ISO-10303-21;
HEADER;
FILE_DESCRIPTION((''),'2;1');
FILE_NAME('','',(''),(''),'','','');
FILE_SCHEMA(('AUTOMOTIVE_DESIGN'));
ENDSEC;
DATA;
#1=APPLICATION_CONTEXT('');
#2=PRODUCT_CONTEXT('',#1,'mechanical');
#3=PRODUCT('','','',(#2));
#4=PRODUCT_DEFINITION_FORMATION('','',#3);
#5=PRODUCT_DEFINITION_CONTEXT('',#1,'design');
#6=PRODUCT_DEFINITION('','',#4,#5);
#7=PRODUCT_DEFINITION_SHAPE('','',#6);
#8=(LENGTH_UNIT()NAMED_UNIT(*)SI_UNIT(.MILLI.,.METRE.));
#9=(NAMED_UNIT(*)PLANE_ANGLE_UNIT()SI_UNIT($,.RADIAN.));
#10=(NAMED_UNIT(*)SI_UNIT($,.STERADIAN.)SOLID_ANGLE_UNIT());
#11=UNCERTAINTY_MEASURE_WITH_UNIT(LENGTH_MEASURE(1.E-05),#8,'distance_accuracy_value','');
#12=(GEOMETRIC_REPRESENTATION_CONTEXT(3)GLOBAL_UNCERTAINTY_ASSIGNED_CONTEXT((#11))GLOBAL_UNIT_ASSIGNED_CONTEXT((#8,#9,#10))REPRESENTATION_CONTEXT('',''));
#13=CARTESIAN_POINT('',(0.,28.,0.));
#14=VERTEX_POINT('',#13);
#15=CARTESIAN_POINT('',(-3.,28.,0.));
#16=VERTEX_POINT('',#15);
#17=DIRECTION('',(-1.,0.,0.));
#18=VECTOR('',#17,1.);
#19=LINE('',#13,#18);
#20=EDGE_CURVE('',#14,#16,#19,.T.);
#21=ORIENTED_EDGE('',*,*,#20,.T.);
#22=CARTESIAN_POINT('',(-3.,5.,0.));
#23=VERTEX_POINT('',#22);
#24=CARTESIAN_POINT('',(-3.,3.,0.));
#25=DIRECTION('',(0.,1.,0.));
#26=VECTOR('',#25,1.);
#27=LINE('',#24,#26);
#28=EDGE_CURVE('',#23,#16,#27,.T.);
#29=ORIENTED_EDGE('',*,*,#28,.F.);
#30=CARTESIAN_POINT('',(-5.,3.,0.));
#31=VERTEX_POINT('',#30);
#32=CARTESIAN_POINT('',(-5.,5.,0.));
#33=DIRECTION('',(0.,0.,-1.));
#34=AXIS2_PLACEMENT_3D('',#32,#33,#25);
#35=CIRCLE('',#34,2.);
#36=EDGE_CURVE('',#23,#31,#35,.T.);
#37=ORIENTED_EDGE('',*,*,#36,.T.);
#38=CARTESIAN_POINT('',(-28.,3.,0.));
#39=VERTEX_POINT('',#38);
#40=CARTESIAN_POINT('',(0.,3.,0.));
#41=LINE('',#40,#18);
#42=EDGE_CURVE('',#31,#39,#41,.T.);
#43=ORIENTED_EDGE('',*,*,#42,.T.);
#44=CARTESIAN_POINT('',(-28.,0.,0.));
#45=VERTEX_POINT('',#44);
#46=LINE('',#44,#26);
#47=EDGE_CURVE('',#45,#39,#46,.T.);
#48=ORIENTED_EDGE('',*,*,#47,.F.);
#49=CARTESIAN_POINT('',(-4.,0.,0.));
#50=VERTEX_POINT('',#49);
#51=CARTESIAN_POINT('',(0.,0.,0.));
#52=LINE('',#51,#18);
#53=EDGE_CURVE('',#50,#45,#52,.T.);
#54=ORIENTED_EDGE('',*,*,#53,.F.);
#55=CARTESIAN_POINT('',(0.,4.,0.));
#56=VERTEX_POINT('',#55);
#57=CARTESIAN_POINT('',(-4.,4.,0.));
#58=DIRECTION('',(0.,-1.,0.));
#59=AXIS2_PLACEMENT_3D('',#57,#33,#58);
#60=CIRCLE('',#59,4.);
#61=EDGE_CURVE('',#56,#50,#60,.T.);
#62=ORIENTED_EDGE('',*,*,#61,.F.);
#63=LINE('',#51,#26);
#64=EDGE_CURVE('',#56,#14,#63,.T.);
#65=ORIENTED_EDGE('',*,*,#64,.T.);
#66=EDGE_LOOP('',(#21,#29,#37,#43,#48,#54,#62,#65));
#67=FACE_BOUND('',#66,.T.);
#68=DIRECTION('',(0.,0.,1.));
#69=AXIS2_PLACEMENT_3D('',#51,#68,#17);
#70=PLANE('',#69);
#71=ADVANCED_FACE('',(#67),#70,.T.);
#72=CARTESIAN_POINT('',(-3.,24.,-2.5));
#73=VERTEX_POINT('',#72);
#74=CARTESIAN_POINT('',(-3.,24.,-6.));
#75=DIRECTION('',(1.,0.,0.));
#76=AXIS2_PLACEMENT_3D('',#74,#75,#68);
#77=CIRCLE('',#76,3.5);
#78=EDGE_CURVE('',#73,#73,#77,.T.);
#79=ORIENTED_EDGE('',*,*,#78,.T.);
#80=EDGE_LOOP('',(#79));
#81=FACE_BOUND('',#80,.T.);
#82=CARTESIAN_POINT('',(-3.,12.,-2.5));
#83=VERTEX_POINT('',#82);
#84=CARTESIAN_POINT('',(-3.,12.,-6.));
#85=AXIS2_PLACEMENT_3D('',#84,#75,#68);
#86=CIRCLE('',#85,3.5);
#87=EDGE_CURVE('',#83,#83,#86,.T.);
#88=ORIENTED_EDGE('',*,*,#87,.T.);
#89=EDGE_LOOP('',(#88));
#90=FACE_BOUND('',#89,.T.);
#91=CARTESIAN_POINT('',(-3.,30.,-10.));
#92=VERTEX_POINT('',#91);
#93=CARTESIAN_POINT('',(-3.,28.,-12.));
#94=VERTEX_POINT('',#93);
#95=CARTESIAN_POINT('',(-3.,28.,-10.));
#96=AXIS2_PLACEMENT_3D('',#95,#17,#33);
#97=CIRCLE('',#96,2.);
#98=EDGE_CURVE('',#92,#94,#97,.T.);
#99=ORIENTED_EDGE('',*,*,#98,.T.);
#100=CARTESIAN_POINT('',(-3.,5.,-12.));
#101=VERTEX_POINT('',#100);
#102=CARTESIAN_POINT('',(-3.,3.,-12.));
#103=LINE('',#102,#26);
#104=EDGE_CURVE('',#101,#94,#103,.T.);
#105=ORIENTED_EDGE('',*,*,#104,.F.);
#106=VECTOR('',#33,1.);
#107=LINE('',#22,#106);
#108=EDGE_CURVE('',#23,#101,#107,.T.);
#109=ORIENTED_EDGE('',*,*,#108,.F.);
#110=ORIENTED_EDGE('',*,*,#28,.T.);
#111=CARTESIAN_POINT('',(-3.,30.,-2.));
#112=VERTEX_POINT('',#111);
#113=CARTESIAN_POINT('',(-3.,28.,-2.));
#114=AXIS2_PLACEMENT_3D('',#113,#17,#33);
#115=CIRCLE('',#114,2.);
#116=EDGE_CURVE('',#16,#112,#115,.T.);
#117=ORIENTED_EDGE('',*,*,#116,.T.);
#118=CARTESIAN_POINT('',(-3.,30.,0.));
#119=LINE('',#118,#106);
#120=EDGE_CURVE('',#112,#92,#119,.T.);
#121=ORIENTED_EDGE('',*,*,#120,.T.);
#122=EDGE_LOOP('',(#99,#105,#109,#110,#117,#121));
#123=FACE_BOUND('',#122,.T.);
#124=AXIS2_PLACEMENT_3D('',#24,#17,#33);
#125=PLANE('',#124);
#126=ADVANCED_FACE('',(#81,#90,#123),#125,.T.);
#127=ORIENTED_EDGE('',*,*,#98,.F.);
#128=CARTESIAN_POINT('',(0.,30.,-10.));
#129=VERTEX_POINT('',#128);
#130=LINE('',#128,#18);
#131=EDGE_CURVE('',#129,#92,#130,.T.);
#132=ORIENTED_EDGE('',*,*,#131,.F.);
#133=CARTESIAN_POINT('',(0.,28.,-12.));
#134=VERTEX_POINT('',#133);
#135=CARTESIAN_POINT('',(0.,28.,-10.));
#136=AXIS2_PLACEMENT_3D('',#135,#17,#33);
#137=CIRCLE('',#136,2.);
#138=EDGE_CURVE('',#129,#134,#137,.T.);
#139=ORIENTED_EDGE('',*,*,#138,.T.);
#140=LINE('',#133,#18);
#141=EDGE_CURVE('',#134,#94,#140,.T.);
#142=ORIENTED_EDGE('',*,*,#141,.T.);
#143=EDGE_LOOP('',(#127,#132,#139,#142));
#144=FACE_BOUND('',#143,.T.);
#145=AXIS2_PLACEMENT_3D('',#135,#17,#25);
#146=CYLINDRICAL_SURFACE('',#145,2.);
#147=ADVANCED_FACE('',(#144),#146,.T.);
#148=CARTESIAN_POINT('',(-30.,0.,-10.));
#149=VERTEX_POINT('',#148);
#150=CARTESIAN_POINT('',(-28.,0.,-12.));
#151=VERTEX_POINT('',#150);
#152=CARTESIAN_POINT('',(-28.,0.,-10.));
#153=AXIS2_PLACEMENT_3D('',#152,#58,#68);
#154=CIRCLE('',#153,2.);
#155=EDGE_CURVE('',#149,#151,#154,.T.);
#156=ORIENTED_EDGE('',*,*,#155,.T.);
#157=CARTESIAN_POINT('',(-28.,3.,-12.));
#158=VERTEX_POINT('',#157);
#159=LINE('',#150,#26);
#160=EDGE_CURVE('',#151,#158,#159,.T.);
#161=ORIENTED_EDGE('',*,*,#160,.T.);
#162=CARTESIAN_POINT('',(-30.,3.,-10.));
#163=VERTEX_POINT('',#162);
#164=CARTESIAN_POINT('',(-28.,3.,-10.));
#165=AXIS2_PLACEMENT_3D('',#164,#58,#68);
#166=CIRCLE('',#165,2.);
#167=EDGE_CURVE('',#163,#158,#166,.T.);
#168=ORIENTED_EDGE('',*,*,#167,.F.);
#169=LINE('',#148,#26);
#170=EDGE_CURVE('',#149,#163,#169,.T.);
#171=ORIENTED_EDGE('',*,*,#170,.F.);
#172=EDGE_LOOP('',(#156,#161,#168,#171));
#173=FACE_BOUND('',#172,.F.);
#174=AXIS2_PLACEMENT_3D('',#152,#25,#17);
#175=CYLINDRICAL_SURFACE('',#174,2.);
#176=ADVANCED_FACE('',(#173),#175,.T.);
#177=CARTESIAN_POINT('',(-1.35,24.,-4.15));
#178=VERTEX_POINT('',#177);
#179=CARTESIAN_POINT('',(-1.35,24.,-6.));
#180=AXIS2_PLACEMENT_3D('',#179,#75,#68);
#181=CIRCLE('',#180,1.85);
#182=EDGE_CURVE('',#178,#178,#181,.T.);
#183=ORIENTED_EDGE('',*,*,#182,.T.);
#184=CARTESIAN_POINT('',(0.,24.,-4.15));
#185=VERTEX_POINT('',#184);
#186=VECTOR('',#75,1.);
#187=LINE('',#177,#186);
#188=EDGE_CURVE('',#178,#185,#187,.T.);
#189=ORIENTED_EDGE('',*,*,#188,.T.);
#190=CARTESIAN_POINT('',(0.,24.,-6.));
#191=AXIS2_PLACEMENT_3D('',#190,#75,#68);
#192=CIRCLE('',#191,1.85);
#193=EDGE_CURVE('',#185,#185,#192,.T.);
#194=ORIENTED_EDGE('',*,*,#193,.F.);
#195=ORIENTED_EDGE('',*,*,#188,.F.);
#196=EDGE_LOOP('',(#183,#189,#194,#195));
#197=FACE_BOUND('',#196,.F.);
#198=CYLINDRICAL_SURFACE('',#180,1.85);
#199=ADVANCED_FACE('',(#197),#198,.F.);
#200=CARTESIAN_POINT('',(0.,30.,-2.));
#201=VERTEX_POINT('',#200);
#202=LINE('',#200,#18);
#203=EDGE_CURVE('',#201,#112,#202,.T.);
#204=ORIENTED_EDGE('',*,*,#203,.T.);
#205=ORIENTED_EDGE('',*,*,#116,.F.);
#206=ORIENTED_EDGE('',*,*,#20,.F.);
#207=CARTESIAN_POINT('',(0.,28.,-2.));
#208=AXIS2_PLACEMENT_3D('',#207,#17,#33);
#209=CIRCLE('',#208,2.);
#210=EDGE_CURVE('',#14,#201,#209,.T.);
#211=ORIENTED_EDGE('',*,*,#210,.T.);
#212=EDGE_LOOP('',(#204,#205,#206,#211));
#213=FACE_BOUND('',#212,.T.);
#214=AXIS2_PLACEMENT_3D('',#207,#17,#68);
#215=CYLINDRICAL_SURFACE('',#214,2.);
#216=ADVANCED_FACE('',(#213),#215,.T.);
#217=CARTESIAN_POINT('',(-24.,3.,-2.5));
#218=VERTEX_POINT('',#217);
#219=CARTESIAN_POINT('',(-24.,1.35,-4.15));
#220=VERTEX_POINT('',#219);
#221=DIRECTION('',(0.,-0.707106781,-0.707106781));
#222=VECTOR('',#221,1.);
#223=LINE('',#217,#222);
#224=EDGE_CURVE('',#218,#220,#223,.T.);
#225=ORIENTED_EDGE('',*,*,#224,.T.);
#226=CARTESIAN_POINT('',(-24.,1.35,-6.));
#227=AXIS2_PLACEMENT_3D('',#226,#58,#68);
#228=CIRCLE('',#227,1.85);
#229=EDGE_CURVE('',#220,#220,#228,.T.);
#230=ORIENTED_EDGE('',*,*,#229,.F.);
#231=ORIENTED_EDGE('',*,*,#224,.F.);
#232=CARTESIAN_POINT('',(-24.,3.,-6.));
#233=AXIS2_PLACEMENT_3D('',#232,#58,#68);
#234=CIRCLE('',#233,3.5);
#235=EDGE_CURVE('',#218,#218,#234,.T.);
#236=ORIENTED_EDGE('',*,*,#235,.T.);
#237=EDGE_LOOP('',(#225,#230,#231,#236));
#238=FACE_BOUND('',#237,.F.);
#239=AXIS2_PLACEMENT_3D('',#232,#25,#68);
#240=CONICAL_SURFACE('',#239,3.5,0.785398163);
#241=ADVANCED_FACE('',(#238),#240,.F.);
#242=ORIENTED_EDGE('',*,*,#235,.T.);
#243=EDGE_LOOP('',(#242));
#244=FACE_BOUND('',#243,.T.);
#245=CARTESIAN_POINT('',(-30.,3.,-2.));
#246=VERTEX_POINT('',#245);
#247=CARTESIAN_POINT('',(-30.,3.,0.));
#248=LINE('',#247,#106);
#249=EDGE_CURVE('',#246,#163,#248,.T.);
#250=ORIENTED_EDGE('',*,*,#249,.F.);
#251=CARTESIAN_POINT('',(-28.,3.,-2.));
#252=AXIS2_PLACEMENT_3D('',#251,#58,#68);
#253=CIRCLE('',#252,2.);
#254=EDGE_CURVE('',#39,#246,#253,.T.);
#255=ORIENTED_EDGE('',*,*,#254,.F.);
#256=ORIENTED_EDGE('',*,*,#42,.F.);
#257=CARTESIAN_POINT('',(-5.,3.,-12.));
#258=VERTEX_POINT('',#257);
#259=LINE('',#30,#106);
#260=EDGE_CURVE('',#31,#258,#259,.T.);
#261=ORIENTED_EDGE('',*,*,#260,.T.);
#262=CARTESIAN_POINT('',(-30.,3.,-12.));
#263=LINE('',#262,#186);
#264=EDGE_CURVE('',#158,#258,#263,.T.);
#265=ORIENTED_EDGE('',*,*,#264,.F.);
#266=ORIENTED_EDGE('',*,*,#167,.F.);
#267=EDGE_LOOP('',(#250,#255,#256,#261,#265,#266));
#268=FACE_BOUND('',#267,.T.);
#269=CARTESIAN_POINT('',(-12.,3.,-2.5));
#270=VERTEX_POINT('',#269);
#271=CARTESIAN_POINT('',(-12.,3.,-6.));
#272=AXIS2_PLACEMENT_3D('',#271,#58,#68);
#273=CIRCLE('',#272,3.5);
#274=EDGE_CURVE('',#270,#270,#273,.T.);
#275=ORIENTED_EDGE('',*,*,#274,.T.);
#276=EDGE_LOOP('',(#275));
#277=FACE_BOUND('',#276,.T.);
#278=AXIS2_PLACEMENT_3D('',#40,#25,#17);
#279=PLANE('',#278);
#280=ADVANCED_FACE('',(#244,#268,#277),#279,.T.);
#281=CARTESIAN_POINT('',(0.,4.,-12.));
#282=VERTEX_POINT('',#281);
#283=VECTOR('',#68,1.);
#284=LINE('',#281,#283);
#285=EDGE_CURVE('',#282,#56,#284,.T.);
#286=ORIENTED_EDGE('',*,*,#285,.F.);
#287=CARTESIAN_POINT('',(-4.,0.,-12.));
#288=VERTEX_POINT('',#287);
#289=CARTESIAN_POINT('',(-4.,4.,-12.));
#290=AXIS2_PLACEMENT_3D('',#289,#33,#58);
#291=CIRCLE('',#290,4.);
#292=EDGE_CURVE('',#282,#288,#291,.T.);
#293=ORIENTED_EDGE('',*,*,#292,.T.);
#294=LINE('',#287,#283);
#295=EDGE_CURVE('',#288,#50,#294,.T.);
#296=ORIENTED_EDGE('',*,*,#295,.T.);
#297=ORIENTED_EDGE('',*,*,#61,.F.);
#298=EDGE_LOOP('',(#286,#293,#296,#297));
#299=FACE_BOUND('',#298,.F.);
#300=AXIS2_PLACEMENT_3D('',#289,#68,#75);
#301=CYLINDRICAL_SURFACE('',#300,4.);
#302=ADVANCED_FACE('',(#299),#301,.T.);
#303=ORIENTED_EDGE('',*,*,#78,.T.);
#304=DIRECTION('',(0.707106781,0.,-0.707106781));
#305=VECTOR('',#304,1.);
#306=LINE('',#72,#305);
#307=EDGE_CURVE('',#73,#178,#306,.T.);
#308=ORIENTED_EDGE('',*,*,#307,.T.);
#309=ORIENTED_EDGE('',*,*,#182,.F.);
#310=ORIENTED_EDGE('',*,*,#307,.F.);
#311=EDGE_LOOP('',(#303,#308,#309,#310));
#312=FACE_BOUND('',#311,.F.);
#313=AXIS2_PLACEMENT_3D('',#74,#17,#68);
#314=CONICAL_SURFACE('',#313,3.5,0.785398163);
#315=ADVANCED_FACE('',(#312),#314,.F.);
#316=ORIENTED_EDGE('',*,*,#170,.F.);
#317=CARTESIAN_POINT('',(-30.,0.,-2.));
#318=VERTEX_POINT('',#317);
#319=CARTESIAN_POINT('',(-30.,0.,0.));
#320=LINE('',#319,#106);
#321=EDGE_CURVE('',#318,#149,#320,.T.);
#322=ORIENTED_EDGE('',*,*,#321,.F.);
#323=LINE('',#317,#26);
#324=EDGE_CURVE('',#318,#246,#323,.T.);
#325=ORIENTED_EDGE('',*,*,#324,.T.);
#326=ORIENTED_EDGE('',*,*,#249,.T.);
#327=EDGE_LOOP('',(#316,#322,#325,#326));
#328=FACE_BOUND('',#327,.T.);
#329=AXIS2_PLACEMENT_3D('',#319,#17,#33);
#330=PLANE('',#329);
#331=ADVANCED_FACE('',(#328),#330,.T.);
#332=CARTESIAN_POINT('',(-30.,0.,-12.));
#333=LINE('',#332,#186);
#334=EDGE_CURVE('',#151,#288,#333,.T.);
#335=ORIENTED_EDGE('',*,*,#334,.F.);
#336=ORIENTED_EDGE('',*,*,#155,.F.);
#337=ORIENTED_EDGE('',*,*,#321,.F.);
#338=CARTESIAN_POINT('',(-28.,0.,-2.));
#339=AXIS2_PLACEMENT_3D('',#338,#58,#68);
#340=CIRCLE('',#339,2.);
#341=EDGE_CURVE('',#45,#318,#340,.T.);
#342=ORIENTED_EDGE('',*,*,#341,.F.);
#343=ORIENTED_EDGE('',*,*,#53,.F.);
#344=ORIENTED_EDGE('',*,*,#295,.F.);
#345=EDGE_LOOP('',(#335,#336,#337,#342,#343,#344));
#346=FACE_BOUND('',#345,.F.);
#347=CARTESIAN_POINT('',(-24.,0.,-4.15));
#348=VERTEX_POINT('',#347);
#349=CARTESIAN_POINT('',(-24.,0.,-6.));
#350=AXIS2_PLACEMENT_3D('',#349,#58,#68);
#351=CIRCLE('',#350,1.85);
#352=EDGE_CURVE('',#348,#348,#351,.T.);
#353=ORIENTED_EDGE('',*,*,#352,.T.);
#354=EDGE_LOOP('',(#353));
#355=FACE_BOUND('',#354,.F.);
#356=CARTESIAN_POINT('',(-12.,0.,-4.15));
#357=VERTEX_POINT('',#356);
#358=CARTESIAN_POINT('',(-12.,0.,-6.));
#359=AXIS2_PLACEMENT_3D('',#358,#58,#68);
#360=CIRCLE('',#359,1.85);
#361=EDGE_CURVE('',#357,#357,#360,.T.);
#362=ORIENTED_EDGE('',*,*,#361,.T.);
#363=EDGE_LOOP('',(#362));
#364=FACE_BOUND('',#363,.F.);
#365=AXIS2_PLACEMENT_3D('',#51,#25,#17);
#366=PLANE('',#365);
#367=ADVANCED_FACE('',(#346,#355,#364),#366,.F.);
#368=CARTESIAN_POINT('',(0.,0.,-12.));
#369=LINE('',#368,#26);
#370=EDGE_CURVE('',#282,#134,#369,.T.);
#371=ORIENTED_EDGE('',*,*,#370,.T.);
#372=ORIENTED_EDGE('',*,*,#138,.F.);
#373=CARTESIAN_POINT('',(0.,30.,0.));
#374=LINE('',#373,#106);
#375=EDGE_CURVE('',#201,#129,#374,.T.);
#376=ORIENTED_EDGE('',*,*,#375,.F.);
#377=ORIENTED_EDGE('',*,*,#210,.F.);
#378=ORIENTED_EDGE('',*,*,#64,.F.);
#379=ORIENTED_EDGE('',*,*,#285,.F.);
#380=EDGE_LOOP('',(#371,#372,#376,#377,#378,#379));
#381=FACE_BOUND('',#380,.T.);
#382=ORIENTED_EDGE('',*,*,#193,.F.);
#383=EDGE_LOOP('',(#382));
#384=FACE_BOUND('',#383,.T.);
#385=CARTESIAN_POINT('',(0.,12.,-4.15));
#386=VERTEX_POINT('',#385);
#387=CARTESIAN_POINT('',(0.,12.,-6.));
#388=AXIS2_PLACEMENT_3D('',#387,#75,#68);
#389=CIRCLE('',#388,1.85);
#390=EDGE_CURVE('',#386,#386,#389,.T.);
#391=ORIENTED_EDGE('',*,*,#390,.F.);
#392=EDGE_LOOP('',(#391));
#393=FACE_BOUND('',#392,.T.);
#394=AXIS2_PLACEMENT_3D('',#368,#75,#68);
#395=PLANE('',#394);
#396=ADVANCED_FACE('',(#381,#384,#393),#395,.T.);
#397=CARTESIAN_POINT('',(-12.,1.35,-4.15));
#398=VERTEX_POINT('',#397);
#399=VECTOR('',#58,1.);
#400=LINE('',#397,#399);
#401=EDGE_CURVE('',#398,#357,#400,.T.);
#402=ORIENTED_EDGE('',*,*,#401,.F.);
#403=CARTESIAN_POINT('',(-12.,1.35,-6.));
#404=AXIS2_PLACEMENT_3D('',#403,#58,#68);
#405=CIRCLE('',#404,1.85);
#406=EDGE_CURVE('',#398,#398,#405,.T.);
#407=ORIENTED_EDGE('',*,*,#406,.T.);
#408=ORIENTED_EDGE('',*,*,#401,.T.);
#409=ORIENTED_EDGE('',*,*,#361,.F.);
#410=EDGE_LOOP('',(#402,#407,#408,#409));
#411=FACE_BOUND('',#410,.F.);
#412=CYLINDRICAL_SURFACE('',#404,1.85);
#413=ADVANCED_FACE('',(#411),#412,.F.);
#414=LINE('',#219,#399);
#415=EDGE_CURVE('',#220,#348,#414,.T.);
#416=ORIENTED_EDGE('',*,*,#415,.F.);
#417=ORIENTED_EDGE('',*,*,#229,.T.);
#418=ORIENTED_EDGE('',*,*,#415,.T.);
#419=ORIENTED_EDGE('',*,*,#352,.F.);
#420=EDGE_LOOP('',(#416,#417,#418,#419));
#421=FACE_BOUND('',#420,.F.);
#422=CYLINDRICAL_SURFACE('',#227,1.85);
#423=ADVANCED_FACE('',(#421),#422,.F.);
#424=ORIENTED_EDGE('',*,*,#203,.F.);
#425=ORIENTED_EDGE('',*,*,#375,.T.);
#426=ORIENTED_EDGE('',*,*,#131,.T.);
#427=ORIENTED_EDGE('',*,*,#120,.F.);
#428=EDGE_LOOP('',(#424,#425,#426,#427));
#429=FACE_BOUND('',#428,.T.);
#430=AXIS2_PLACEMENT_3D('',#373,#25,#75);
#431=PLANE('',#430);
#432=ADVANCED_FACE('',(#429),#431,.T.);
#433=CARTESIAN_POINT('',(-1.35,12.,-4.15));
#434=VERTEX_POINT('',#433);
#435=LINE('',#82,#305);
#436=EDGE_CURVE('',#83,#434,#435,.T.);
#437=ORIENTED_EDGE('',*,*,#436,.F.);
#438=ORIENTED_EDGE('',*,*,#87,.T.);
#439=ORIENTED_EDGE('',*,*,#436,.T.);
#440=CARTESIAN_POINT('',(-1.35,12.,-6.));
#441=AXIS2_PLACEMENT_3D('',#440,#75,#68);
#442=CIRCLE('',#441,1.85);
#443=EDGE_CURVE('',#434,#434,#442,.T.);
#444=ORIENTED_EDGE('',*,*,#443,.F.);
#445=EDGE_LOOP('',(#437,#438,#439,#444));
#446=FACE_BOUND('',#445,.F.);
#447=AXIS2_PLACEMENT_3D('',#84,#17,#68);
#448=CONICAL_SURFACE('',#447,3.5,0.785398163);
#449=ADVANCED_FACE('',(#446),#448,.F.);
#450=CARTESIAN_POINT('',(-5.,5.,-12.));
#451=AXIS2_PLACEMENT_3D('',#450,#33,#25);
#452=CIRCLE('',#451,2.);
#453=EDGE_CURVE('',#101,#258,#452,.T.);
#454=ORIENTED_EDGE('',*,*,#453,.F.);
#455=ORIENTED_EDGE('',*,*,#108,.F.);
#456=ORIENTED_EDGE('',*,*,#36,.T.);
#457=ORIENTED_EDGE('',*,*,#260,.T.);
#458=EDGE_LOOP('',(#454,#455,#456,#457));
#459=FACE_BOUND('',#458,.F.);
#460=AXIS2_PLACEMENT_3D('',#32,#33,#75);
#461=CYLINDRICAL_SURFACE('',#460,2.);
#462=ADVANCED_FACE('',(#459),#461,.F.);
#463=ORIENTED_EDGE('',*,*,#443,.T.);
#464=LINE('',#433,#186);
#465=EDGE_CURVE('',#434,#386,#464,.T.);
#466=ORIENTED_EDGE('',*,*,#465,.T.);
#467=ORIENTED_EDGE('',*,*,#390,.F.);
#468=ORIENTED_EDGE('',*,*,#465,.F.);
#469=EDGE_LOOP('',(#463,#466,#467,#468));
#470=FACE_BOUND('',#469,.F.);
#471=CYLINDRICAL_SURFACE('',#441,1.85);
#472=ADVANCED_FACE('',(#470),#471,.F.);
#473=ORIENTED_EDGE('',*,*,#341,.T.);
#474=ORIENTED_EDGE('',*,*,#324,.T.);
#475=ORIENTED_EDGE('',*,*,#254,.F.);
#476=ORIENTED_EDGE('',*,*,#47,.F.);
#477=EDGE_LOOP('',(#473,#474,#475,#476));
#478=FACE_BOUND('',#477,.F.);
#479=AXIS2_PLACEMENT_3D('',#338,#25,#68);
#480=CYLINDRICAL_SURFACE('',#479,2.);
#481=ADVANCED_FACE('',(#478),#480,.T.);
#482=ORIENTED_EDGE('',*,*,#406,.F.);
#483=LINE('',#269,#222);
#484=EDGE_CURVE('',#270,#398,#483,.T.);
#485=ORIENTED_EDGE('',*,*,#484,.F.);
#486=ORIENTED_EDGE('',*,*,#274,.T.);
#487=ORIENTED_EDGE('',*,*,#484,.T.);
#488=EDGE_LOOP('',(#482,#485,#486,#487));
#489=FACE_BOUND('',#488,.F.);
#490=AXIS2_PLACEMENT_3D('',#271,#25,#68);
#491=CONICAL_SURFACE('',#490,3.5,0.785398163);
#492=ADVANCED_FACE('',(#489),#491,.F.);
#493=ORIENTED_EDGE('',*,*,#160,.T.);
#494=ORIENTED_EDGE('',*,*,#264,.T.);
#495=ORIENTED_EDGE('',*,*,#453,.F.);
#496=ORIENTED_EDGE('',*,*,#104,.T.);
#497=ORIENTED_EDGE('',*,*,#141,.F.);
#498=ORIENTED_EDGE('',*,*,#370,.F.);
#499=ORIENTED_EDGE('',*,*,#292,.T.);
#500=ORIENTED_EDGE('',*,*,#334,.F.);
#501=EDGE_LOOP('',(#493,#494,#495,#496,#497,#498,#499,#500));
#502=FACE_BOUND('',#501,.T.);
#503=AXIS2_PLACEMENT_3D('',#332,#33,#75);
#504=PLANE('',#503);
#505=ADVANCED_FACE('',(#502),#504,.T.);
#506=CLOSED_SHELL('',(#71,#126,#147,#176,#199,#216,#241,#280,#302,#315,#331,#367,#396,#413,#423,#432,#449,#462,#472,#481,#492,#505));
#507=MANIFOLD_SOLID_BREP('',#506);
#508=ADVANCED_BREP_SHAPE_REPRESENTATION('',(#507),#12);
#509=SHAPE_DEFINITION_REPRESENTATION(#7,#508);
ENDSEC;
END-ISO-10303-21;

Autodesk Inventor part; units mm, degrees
ref_plane "YZ Plane" through (0, 0, 0) normal (1, 0, 0) x (0, 1, 0)
ref_plane "XZ Plane" through (0, 0, 0) normal (0, 1, 0) x (-1, 0, 0)
ref_plane "XY Plane" through (0, 0, 0) normal (0, 0, 1) x (1, 0, 0)
sketch "Sketch1" plane through (0, 0, 0) normal (0, 1, 0) x (-1, 0, 0)
  line L0 (0, 0) -> (30, 0)
  line L1 (30, 0) -> (30, -12)
  line L2 (30, -12) -> (0, -12)
  line L3 (0, -12) -> (0, 0)
  dimension "d0" = 30
  dimension "d1" = 12
extrude "Extrusion1" add sketch "Sketch1" along normal blind 3
sketch "Sketch2" plane through (0, 3, 0) normal (0, 1, 0) x (1, 0, 0)
  line L0 (0, 0) -> (0, 12) projected
  line L1 (0, 12) -> (-30, 12) projected
  line L2 (0, 0) -> (-3, 0)
  line L3 (-3, 0) -> (-3, 12)
  line L4 (-3, 12) -> (0, 12)
  line L5 (0, 12) -> (0, 0)
  dimension "d4" = 3
extrude "Extrusion2" add sketch "Sketch2" along normal blind 27
sketch "Sketch4" plane through (0, 3, 0) normal (0, 1, 0) x (1, 0, 0)
  line L0 (-45.2087, 6) -> (21.2087, 6) construction
  line L1 (-30, 12) -> (-30, 0) projected
  line L2 (0, 0) -> (0, 12) projected
  point P0 (-30, 6)
  point P1 (-24, 6)
  point P2 (-12, 6)
  dimension "d7" = 12
  dimension "d9" = 18
hole "Hole1" at (-24, 3, -6) at (-12, 3, -6) direction (0, -1, 0) diameter 3.7 end through all countersink diameter 7 countersink angle 90
sketch "Sketch5" plane through (-3, 3, -12) normal (-1, 0, 0) x (0, 0, 1)
  line L0 (6, -9.8393) -> (6, 36.305) construction
  line L1 (0, -3) -> (12, -3) projected
  line L2 (0, 27) -> (12, 27) projected
  point P0 (6, -3)
  point P1 (6, 9)
  point P2 (6, 21)
  dimension "d17" = 12
  dimension "d18" = 18
hole "Hole2" at (-3, 12, -6) at (-3, 24, -6) direction (1, 0, 0) diameter 3.7 end through all countersink diameter 7 countersink angle 90
fillet "Fillet1" radius 2 5 edges at (-1.5, 30, -12) (-1.5, 30, 0) (-3, 3, -6) (-30, 1.5, 0) (-30, 1.5, -12)
fillet "Fillet2" radius 4 1 edges at (0, 0, -6)
properties part number "Right Bracket 30mm RS749-1686"
